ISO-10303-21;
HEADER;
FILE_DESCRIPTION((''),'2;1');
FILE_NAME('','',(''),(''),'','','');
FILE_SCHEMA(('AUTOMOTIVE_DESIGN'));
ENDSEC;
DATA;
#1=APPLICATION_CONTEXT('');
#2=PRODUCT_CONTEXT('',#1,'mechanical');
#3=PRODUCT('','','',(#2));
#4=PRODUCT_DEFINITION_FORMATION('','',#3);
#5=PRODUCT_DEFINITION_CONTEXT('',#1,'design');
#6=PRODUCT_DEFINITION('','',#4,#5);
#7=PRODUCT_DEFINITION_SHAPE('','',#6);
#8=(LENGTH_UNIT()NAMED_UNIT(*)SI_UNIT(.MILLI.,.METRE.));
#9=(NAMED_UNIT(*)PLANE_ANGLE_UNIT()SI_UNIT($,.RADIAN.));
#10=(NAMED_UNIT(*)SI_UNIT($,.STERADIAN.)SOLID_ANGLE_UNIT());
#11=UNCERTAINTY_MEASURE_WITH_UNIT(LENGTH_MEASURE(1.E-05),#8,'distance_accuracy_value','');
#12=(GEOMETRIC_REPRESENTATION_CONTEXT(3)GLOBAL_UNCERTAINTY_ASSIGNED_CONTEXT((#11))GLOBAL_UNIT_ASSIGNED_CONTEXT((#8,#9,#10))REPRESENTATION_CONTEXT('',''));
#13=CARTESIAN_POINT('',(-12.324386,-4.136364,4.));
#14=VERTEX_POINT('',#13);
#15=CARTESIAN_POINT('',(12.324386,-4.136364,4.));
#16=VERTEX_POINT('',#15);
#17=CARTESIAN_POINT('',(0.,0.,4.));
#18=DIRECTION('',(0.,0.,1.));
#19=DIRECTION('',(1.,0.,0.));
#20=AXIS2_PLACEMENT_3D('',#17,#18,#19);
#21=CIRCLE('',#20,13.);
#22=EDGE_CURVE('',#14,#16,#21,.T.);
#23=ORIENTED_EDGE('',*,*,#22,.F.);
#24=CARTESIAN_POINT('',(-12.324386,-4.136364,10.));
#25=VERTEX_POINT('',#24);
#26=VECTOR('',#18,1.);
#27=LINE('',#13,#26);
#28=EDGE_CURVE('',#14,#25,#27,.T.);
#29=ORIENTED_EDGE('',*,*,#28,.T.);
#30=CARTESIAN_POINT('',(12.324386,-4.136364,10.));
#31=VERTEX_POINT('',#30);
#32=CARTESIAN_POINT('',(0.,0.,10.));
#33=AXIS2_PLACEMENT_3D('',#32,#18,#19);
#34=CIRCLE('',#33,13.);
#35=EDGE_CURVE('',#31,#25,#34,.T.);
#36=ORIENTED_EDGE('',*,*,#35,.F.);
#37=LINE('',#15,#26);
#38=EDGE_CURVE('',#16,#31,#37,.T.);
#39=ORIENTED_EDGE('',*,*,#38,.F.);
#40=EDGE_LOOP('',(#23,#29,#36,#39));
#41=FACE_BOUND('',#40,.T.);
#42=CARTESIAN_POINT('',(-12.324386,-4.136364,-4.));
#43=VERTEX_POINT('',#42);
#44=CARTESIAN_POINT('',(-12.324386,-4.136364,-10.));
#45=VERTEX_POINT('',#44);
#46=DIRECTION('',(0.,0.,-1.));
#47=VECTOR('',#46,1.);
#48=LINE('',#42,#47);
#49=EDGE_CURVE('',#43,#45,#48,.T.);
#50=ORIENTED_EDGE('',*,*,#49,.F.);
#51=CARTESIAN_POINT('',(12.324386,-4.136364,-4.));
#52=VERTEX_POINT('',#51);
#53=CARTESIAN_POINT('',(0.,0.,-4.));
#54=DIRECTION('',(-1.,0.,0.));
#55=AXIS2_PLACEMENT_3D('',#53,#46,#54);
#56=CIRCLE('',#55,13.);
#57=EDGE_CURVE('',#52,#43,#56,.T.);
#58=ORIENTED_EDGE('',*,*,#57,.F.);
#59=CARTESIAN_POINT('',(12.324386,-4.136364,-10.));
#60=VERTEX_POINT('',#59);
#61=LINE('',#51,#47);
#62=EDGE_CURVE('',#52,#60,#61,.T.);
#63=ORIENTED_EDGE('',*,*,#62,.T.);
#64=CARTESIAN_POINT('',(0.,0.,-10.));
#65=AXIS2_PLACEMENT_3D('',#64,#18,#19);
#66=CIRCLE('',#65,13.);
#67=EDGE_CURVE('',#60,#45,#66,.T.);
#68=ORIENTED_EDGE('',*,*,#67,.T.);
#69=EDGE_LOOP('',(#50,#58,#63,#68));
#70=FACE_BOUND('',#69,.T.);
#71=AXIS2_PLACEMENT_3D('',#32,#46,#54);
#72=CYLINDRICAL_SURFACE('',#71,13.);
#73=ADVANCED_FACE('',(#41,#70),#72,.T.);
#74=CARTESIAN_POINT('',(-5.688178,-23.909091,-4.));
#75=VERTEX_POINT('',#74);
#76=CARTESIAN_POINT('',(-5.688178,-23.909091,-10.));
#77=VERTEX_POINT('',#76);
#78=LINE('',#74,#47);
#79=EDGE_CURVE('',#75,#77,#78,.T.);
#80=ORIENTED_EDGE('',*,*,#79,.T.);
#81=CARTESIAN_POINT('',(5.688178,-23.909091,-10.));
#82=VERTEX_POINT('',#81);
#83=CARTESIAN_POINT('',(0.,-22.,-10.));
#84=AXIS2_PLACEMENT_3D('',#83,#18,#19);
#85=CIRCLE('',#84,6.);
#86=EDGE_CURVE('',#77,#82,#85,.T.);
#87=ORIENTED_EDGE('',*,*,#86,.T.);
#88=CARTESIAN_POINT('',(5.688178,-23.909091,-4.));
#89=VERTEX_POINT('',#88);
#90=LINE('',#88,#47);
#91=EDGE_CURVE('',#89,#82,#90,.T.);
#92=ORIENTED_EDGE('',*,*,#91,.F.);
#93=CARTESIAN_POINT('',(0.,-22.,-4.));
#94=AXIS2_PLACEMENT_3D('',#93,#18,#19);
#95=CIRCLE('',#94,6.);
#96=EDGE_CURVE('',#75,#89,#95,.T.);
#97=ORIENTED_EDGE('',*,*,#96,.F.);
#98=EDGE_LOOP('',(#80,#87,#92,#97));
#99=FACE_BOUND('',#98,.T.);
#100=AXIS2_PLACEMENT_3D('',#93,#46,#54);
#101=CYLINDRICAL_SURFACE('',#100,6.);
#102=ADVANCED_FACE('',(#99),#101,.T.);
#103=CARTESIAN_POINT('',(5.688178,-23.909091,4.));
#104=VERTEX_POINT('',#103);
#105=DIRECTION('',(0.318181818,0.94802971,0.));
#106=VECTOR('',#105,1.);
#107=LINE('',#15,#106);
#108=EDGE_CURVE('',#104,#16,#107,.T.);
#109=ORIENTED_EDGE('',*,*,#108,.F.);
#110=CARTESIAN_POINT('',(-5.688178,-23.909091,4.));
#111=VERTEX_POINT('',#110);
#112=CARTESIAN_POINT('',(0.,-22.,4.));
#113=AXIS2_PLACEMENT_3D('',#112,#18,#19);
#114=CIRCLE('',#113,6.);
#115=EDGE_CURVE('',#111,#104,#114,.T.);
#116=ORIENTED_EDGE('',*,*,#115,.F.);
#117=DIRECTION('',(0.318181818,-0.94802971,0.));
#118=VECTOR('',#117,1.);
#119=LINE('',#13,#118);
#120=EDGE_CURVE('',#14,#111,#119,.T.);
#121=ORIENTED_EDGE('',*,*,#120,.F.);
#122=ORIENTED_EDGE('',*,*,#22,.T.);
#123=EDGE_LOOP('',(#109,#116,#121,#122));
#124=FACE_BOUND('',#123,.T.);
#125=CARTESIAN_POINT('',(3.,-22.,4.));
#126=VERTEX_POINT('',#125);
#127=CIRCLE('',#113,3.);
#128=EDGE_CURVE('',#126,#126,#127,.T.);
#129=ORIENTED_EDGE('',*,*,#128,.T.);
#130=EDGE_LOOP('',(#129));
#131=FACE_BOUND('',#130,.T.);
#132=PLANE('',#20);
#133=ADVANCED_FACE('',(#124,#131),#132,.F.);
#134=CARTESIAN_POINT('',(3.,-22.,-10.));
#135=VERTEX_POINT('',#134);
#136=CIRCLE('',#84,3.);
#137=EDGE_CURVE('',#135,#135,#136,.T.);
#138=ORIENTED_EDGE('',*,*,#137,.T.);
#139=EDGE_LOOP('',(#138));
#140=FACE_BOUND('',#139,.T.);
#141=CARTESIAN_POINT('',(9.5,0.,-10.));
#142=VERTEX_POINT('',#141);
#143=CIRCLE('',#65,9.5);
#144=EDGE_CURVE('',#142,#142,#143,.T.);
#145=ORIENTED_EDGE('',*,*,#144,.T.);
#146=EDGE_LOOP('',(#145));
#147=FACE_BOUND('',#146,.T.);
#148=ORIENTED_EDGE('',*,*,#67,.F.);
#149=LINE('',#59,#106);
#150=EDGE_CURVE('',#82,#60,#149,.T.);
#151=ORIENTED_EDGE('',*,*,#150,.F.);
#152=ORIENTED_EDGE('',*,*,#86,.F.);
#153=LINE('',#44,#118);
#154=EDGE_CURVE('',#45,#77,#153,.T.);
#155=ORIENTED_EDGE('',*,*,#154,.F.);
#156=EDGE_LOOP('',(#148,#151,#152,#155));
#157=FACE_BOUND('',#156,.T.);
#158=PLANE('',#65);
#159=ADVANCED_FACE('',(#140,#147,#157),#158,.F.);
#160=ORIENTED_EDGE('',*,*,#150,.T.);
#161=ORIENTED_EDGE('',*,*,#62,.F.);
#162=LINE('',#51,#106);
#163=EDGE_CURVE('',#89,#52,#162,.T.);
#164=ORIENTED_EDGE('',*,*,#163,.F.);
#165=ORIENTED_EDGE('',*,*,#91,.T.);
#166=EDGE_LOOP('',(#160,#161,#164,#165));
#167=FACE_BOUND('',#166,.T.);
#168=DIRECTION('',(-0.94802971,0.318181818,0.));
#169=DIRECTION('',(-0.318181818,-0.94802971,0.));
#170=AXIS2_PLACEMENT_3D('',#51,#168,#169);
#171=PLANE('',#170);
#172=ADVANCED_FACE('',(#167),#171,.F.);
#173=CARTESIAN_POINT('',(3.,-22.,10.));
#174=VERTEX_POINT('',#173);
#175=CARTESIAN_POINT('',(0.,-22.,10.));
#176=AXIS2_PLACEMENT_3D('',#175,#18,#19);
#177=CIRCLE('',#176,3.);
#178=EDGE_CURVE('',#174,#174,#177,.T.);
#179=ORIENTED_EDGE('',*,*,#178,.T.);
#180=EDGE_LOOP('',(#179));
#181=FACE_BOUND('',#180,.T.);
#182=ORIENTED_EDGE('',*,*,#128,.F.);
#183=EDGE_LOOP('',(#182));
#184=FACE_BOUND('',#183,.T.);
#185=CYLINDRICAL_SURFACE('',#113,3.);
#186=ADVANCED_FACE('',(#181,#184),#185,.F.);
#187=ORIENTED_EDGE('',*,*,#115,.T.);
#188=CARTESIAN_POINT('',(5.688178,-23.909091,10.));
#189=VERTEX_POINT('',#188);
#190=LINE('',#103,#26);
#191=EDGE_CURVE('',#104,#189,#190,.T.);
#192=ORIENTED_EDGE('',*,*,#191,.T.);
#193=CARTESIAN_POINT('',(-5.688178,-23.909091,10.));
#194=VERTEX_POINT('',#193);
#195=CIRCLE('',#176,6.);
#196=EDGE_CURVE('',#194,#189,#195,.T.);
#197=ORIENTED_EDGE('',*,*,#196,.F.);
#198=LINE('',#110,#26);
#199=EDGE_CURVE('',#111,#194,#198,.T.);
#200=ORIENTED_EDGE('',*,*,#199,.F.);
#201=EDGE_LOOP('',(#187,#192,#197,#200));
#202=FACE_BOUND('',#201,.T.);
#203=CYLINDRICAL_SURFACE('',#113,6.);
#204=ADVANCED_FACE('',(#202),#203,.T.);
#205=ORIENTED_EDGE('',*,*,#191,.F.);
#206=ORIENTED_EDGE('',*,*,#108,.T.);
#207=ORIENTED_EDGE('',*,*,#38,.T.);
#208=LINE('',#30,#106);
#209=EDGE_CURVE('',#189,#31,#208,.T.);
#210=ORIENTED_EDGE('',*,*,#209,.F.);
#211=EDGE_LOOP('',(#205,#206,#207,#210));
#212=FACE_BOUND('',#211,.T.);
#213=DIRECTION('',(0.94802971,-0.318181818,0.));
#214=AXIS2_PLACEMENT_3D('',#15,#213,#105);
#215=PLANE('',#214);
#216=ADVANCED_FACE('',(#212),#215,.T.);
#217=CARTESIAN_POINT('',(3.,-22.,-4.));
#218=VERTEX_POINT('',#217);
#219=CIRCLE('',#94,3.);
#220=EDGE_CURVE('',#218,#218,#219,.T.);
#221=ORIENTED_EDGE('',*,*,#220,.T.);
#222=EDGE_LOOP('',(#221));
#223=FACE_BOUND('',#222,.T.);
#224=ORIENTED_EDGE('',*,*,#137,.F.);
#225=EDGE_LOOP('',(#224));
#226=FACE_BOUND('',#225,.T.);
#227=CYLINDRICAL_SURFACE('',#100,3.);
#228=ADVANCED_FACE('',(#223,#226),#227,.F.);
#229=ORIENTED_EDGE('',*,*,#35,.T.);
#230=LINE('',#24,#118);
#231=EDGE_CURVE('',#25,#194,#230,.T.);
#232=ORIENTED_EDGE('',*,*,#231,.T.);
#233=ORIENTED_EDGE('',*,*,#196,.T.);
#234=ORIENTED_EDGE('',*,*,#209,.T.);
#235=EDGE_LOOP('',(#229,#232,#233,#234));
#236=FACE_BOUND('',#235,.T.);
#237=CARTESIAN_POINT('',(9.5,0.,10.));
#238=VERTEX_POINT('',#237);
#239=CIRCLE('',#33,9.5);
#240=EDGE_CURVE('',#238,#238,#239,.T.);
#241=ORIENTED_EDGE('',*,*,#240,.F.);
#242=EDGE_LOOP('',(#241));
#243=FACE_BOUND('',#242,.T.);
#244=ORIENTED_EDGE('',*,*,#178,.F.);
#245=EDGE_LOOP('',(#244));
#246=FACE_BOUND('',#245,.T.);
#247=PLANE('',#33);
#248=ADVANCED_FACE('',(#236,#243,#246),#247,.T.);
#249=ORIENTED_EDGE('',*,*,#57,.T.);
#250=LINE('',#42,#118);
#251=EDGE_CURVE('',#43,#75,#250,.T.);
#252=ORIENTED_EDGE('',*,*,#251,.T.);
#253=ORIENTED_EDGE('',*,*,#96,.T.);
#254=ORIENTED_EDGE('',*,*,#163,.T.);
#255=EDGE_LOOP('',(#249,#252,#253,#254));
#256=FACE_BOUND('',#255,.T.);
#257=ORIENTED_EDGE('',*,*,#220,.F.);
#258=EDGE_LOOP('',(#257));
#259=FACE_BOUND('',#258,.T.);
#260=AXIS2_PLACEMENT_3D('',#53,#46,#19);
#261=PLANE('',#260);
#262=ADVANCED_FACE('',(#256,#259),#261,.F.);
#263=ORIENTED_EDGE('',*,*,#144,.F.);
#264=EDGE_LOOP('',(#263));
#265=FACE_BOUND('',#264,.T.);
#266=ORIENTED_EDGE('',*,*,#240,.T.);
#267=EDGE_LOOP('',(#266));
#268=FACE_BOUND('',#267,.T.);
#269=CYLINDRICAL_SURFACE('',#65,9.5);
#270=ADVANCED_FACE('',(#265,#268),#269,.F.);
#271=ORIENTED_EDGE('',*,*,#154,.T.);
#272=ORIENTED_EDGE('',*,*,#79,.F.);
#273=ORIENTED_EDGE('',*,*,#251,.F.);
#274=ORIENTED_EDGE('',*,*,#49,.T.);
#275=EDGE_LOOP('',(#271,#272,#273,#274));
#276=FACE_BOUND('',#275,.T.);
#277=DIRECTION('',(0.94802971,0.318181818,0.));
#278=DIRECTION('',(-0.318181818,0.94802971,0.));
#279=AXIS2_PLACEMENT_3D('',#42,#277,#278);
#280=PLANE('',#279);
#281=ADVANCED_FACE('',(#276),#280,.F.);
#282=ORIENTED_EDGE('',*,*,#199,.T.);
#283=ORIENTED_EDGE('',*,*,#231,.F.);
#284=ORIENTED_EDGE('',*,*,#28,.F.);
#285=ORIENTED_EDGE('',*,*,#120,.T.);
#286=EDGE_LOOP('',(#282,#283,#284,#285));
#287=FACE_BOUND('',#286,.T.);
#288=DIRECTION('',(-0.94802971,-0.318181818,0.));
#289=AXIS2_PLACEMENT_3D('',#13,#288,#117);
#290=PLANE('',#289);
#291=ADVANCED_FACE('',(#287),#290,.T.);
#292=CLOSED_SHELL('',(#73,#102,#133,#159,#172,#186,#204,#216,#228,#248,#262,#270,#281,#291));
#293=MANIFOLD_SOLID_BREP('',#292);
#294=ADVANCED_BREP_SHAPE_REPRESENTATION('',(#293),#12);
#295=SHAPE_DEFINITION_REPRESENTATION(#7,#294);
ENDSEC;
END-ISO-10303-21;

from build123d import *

# Parameters (mm, degrees)
SKETCH1_R               = 13
BOSS_EXTRUDE1_DEPTH     = 10
SKETCH2_R               = 3
BOSS_EXTRUDE2_DEPTH     = 6
CUT_EXTRUDE1_DEPTH      = 37.783148315
CUT_EXTRUDE1_DEPTH_BACK = 37.783148315
SKETCH3_R               = 9.5


with BuildPart() as part:
    # Sketch1 → Boss-Extrude1 (new, symmetric)
    with BuildSketch(Plane(origin=(0, 0, 0), x_dir=(0, 1, 0), z_dir=(0, 0, 1))):
        with Locations(Location((0, 0, 0), (0, 0, 270))):
            Circle(SKETCH1_R)
    extrude(amount=BOSS_EXTRUDE1_DEPTH, both=True)

    # Sketch2 → Boss-Extrude2 (add)
    with BuildSketch(Plane.XY.offset(10)):
        with BuildLine():
            Line((-12.324386227, -4.136363636), (-5.688178259, -23.909090909))
            ThreePointArc((-5.688178259, -23.909090909), (0, -28), (5.688178259, -23.909090909))
            Line((5.688178259, -23.909090909), (12.324386227, -4.136363636))
            ThreePointArc((12.324386227, -4.136363636), (0, 13), (-12.324386227, -4.136363636))
        make_face()
        with Locations((0, -22)):
            Circle(SKETCH2_R, mode=Mode.SUBTRACT)
    boss_extrude2 = extrude(amount=-BOSS_EXTRUDE2_DEPTH)

    # Mirror1: Boss-Extrude2 across plane
    add(boss_extrude2.mirror(Plane.XY))

    # Sketch3 → Cut-Extrude1 (cut, two sides: drawn at the far end of the back side and taken through both)
    with BuildSketch(Plane.XY.offset(10).offset(-CUT_EXTRUDE1_DEPTH_BACK)):
        Circle(SKETCH3_R)
    extrude(amount=CUT_EXTRUDE1_DEPTH + CUT_EXTRUDE1_DEPTH_BACK, mode=Mode.SUBTRACT)


solid = part.part
